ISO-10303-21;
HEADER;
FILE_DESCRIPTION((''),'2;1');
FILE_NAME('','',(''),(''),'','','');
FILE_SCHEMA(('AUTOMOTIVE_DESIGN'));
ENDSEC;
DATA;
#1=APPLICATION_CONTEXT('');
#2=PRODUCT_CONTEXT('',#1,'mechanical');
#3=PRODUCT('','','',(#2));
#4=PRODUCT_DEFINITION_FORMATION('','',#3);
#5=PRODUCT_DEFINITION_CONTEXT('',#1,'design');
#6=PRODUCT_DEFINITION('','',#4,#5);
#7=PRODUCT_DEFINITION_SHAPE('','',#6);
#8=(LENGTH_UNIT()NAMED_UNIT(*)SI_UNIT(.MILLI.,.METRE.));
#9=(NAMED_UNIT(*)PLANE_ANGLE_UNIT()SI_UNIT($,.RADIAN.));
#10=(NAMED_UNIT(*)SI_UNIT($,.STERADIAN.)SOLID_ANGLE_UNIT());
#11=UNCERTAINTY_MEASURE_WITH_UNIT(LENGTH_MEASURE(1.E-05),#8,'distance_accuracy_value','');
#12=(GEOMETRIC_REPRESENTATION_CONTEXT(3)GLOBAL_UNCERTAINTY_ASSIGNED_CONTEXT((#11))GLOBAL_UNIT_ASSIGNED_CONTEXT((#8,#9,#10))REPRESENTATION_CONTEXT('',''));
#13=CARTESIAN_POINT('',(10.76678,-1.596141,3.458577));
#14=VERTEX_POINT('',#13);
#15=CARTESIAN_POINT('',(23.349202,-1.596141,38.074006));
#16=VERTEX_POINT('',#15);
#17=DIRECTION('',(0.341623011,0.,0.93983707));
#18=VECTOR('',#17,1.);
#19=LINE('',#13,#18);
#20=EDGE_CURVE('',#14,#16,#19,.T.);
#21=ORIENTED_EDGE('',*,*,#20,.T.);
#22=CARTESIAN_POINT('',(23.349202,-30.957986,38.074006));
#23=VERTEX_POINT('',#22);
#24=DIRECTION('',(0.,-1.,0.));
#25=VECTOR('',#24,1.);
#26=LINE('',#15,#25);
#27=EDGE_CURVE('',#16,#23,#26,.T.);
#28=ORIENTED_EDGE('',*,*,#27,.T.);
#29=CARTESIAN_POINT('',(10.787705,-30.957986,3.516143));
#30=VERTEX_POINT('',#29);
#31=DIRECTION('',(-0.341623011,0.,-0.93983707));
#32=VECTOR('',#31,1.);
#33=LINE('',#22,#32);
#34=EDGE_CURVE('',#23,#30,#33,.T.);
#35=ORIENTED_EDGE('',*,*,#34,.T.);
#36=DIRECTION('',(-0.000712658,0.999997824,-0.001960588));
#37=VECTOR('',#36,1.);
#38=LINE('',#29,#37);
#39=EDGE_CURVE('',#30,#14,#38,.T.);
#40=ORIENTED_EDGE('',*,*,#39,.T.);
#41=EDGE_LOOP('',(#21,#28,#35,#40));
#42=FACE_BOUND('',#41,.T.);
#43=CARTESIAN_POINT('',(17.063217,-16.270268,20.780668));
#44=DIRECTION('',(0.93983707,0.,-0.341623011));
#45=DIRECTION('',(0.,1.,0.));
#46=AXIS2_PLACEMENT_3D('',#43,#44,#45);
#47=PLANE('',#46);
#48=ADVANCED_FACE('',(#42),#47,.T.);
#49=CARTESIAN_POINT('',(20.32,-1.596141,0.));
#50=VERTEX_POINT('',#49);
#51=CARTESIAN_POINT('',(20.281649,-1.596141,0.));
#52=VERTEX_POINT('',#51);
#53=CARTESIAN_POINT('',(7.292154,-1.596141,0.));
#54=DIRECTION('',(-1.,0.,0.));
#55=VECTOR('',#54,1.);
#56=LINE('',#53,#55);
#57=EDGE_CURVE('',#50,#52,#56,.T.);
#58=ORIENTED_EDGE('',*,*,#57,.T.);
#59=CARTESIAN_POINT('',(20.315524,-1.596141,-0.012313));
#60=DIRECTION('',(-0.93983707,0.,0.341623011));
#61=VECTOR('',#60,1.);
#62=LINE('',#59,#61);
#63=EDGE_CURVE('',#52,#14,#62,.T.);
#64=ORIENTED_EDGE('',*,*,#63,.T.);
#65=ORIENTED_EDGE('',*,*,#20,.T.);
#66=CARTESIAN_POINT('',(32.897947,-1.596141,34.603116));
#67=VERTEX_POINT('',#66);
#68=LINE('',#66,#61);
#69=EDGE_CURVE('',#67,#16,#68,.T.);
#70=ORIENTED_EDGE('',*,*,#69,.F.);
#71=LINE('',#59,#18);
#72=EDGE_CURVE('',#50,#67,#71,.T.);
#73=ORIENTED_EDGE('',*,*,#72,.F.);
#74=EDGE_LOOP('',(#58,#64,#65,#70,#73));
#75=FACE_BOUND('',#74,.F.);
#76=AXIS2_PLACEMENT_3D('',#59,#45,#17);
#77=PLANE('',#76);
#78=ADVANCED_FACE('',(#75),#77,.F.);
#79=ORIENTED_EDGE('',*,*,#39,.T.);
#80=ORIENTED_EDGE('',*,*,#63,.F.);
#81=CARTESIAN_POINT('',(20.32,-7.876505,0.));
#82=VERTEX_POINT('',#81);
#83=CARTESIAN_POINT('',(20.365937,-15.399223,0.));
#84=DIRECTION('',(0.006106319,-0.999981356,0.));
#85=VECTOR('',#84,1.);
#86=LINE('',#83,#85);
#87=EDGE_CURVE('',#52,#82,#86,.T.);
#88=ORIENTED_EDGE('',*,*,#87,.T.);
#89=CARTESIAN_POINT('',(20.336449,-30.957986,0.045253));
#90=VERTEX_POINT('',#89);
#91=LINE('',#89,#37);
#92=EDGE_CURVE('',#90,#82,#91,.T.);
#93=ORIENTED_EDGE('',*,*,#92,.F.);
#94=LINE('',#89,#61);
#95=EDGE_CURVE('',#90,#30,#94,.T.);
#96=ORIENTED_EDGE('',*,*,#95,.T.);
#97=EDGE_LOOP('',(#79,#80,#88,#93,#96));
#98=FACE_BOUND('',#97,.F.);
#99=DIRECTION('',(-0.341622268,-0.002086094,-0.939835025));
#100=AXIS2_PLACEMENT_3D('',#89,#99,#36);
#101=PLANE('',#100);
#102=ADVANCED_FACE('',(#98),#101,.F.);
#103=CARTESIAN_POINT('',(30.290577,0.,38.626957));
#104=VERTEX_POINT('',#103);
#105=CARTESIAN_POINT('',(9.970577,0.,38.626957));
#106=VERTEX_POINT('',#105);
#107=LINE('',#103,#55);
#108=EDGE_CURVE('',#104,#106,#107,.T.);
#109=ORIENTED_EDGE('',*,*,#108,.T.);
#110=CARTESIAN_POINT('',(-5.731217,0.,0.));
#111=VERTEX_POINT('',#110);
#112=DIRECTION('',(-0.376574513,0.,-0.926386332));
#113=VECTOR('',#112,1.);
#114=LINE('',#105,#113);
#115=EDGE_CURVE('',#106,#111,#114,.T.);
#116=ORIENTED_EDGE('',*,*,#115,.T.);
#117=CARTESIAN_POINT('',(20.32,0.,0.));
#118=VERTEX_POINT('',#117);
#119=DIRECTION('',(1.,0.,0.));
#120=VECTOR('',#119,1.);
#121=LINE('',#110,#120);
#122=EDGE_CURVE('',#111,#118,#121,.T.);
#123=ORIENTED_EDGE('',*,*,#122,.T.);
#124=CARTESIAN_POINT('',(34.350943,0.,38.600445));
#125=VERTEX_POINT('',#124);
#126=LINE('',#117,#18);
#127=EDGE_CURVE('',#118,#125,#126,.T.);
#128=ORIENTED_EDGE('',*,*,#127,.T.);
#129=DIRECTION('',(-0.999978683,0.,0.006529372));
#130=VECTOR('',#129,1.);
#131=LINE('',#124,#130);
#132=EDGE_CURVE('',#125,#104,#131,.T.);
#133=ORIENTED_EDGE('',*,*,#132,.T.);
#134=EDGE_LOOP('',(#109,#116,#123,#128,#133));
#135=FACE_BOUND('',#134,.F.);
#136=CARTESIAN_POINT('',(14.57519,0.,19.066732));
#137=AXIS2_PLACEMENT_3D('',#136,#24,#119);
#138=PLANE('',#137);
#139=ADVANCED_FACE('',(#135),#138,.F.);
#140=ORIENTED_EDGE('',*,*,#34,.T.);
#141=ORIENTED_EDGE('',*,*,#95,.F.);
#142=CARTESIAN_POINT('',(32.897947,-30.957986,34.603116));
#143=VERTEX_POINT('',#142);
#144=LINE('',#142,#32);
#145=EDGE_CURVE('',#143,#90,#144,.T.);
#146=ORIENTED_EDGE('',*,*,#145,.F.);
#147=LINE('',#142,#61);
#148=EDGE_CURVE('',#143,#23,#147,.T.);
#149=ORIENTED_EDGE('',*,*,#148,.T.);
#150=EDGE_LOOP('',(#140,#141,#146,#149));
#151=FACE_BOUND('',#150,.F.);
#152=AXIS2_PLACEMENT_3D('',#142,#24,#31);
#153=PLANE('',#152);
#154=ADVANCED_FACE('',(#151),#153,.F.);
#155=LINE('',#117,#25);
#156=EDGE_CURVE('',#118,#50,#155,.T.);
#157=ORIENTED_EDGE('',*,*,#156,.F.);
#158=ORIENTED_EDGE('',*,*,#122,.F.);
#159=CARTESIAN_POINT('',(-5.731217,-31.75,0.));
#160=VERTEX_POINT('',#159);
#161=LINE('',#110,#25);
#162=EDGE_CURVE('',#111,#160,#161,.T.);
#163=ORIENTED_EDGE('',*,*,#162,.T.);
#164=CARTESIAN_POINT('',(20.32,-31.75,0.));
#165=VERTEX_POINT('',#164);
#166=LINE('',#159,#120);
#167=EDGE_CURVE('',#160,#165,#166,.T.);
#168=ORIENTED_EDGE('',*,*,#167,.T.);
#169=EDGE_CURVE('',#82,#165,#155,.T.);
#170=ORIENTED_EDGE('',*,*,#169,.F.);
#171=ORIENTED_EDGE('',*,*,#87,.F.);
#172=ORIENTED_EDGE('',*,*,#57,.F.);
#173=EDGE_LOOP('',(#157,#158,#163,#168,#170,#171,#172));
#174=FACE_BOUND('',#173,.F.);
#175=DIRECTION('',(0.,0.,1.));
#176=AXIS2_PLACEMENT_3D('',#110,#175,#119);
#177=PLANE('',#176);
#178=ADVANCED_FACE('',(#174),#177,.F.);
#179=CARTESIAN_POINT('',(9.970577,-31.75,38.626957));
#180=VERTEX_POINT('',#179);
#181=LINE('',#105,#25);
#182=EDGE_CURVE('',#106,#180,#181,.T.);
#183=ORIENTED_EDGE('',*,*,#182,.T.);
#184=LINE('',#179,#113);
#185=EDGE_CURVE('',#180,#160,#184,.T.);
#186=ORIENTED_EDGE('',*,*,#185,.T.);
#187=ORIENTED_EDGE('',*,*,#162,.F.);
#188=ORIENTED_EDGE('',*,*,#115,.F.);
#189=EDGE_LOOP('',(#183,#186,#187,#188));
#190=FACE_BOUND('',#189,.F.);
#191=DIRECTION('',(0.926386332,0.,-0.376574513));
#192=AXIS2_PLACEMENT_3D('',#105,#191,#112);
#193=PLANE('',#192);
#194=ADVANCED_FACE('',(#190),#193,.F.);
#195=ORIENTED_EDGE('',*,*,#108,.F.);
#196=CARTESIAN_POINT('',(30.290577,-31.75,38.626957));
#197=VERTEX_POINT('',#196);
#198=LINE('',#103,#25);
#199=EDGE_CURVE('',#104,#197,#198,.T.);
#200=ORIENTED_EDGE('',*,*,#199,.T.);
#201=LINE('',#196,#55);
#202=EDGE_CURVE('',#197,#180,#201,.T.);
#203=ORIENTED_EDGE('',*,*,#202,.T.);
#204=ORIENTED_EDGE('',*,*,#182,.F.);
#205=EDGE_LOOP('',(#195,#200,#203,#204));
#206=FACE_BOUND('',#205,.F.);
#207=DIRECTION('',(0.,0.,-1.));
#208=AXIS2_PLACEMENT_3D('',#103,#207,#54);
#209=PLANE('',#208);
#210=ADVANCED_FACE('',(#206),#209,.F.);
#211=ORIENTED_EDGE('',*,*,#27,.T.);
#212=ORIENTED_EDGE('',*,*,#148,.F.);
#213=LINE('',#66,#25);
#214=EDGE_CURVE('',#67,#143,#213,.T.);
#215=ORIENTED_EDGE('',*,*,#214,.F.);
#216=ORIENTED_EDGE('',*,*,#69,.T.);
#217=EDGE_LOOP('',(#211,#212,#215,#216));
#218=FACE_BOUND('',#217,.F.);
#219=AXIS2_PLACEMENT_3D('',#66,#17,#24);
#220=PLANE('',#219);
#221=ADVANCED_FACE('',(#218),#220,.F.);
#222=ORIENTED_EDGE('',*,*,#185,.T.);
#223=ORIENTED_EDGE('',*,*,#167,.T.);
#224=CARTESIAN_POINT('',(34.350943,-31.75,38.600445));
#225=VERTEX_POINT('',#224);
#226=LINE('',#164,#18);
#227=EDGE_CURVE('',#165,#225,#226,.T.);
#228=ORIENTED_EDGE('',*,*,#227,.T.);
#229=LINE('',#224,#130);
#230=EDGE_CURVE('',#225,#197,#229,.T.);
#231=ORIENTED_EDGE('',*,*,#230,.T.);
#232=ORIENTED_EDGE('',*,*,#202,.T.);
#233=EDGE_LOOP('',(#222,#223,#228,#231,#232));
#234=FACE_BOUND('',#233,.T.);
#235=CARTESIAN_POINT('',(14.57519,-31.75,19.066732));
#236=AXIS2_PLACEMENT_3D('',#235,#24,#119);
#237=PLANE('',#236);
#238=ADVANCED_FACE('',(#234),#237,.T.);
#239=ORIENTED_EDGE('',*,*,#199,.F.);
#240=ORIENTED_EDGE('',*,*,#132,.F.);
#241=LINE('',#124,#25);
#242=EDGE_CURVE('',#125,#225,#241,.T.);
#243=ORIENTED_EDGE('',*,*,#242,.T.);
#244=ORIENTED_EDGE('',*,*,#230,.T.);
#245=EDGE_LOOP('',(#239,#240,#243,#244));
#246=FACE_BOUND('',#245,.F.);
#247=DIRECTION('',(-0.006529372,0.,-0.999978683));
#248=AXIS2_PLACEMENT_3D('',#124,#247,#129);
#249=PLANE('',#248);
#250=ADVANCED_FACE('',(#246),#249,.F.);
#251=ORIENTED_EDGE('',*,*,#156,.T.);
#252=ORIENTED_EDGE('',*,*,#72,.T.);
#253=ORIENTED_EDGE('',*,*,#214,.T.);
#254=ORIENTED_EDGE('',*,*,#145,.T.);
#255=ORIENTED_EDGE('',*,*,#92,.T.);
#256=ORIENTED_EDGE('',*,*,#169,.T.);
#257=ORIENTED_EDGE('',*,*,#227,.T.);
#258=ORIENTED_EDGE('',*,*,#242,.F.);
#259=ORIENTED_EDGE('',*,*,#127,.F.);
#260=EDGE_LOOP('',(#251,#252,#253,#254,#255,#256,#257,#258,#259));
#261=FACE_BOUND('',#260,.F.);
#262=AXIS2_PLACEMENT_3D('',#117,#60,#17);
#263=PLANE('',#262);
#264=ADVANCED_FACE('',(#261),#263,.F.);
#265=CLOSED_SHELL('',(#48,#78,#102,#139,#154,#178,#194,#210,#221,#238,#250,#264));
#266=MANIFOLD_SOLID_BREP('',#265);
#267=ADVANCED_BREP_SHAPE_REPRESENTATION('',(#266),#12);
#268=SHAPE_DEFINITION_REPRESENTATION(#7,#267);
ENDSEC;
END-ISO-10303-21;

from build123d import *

# Parameters (mm, degrees)
F1_DEPTH = 31.75
F4_DEPTH = 10.16


with BuildPart() as f1:
    # F0 (on Front) → F1 (new body)
    with BuildSketch(Plane.XZ):
        Polygon((-5.7312170975, 0), (0, 0), (20.32, 0), (34.3509428203, 38.6004447937), (30.2905770854, 38.6269569982), (9.9705770854, 38.6269569982), align=None)
    extrude(amount=F1_DEPTH)

    # F3 (on offset) → F4 (cut)
    with BuildSketch(Plane(origin=(17.9485283523, 0, -6.5241417907), x_dir=(0, 1, 0), z_dir=(0.93983707, 0, -0.3416230113))):
        Polygon((-30.9579856694, 43.7599867582), (-30.9579856694, 6.9899298251), (-1.5961413737, 6.9286781363), (-1.5961413737, 43.7599867582), align=None)
    extrude(amount=-F4_DEPTH, mode=Mode.SUBTRACT)


solid = f1.part
